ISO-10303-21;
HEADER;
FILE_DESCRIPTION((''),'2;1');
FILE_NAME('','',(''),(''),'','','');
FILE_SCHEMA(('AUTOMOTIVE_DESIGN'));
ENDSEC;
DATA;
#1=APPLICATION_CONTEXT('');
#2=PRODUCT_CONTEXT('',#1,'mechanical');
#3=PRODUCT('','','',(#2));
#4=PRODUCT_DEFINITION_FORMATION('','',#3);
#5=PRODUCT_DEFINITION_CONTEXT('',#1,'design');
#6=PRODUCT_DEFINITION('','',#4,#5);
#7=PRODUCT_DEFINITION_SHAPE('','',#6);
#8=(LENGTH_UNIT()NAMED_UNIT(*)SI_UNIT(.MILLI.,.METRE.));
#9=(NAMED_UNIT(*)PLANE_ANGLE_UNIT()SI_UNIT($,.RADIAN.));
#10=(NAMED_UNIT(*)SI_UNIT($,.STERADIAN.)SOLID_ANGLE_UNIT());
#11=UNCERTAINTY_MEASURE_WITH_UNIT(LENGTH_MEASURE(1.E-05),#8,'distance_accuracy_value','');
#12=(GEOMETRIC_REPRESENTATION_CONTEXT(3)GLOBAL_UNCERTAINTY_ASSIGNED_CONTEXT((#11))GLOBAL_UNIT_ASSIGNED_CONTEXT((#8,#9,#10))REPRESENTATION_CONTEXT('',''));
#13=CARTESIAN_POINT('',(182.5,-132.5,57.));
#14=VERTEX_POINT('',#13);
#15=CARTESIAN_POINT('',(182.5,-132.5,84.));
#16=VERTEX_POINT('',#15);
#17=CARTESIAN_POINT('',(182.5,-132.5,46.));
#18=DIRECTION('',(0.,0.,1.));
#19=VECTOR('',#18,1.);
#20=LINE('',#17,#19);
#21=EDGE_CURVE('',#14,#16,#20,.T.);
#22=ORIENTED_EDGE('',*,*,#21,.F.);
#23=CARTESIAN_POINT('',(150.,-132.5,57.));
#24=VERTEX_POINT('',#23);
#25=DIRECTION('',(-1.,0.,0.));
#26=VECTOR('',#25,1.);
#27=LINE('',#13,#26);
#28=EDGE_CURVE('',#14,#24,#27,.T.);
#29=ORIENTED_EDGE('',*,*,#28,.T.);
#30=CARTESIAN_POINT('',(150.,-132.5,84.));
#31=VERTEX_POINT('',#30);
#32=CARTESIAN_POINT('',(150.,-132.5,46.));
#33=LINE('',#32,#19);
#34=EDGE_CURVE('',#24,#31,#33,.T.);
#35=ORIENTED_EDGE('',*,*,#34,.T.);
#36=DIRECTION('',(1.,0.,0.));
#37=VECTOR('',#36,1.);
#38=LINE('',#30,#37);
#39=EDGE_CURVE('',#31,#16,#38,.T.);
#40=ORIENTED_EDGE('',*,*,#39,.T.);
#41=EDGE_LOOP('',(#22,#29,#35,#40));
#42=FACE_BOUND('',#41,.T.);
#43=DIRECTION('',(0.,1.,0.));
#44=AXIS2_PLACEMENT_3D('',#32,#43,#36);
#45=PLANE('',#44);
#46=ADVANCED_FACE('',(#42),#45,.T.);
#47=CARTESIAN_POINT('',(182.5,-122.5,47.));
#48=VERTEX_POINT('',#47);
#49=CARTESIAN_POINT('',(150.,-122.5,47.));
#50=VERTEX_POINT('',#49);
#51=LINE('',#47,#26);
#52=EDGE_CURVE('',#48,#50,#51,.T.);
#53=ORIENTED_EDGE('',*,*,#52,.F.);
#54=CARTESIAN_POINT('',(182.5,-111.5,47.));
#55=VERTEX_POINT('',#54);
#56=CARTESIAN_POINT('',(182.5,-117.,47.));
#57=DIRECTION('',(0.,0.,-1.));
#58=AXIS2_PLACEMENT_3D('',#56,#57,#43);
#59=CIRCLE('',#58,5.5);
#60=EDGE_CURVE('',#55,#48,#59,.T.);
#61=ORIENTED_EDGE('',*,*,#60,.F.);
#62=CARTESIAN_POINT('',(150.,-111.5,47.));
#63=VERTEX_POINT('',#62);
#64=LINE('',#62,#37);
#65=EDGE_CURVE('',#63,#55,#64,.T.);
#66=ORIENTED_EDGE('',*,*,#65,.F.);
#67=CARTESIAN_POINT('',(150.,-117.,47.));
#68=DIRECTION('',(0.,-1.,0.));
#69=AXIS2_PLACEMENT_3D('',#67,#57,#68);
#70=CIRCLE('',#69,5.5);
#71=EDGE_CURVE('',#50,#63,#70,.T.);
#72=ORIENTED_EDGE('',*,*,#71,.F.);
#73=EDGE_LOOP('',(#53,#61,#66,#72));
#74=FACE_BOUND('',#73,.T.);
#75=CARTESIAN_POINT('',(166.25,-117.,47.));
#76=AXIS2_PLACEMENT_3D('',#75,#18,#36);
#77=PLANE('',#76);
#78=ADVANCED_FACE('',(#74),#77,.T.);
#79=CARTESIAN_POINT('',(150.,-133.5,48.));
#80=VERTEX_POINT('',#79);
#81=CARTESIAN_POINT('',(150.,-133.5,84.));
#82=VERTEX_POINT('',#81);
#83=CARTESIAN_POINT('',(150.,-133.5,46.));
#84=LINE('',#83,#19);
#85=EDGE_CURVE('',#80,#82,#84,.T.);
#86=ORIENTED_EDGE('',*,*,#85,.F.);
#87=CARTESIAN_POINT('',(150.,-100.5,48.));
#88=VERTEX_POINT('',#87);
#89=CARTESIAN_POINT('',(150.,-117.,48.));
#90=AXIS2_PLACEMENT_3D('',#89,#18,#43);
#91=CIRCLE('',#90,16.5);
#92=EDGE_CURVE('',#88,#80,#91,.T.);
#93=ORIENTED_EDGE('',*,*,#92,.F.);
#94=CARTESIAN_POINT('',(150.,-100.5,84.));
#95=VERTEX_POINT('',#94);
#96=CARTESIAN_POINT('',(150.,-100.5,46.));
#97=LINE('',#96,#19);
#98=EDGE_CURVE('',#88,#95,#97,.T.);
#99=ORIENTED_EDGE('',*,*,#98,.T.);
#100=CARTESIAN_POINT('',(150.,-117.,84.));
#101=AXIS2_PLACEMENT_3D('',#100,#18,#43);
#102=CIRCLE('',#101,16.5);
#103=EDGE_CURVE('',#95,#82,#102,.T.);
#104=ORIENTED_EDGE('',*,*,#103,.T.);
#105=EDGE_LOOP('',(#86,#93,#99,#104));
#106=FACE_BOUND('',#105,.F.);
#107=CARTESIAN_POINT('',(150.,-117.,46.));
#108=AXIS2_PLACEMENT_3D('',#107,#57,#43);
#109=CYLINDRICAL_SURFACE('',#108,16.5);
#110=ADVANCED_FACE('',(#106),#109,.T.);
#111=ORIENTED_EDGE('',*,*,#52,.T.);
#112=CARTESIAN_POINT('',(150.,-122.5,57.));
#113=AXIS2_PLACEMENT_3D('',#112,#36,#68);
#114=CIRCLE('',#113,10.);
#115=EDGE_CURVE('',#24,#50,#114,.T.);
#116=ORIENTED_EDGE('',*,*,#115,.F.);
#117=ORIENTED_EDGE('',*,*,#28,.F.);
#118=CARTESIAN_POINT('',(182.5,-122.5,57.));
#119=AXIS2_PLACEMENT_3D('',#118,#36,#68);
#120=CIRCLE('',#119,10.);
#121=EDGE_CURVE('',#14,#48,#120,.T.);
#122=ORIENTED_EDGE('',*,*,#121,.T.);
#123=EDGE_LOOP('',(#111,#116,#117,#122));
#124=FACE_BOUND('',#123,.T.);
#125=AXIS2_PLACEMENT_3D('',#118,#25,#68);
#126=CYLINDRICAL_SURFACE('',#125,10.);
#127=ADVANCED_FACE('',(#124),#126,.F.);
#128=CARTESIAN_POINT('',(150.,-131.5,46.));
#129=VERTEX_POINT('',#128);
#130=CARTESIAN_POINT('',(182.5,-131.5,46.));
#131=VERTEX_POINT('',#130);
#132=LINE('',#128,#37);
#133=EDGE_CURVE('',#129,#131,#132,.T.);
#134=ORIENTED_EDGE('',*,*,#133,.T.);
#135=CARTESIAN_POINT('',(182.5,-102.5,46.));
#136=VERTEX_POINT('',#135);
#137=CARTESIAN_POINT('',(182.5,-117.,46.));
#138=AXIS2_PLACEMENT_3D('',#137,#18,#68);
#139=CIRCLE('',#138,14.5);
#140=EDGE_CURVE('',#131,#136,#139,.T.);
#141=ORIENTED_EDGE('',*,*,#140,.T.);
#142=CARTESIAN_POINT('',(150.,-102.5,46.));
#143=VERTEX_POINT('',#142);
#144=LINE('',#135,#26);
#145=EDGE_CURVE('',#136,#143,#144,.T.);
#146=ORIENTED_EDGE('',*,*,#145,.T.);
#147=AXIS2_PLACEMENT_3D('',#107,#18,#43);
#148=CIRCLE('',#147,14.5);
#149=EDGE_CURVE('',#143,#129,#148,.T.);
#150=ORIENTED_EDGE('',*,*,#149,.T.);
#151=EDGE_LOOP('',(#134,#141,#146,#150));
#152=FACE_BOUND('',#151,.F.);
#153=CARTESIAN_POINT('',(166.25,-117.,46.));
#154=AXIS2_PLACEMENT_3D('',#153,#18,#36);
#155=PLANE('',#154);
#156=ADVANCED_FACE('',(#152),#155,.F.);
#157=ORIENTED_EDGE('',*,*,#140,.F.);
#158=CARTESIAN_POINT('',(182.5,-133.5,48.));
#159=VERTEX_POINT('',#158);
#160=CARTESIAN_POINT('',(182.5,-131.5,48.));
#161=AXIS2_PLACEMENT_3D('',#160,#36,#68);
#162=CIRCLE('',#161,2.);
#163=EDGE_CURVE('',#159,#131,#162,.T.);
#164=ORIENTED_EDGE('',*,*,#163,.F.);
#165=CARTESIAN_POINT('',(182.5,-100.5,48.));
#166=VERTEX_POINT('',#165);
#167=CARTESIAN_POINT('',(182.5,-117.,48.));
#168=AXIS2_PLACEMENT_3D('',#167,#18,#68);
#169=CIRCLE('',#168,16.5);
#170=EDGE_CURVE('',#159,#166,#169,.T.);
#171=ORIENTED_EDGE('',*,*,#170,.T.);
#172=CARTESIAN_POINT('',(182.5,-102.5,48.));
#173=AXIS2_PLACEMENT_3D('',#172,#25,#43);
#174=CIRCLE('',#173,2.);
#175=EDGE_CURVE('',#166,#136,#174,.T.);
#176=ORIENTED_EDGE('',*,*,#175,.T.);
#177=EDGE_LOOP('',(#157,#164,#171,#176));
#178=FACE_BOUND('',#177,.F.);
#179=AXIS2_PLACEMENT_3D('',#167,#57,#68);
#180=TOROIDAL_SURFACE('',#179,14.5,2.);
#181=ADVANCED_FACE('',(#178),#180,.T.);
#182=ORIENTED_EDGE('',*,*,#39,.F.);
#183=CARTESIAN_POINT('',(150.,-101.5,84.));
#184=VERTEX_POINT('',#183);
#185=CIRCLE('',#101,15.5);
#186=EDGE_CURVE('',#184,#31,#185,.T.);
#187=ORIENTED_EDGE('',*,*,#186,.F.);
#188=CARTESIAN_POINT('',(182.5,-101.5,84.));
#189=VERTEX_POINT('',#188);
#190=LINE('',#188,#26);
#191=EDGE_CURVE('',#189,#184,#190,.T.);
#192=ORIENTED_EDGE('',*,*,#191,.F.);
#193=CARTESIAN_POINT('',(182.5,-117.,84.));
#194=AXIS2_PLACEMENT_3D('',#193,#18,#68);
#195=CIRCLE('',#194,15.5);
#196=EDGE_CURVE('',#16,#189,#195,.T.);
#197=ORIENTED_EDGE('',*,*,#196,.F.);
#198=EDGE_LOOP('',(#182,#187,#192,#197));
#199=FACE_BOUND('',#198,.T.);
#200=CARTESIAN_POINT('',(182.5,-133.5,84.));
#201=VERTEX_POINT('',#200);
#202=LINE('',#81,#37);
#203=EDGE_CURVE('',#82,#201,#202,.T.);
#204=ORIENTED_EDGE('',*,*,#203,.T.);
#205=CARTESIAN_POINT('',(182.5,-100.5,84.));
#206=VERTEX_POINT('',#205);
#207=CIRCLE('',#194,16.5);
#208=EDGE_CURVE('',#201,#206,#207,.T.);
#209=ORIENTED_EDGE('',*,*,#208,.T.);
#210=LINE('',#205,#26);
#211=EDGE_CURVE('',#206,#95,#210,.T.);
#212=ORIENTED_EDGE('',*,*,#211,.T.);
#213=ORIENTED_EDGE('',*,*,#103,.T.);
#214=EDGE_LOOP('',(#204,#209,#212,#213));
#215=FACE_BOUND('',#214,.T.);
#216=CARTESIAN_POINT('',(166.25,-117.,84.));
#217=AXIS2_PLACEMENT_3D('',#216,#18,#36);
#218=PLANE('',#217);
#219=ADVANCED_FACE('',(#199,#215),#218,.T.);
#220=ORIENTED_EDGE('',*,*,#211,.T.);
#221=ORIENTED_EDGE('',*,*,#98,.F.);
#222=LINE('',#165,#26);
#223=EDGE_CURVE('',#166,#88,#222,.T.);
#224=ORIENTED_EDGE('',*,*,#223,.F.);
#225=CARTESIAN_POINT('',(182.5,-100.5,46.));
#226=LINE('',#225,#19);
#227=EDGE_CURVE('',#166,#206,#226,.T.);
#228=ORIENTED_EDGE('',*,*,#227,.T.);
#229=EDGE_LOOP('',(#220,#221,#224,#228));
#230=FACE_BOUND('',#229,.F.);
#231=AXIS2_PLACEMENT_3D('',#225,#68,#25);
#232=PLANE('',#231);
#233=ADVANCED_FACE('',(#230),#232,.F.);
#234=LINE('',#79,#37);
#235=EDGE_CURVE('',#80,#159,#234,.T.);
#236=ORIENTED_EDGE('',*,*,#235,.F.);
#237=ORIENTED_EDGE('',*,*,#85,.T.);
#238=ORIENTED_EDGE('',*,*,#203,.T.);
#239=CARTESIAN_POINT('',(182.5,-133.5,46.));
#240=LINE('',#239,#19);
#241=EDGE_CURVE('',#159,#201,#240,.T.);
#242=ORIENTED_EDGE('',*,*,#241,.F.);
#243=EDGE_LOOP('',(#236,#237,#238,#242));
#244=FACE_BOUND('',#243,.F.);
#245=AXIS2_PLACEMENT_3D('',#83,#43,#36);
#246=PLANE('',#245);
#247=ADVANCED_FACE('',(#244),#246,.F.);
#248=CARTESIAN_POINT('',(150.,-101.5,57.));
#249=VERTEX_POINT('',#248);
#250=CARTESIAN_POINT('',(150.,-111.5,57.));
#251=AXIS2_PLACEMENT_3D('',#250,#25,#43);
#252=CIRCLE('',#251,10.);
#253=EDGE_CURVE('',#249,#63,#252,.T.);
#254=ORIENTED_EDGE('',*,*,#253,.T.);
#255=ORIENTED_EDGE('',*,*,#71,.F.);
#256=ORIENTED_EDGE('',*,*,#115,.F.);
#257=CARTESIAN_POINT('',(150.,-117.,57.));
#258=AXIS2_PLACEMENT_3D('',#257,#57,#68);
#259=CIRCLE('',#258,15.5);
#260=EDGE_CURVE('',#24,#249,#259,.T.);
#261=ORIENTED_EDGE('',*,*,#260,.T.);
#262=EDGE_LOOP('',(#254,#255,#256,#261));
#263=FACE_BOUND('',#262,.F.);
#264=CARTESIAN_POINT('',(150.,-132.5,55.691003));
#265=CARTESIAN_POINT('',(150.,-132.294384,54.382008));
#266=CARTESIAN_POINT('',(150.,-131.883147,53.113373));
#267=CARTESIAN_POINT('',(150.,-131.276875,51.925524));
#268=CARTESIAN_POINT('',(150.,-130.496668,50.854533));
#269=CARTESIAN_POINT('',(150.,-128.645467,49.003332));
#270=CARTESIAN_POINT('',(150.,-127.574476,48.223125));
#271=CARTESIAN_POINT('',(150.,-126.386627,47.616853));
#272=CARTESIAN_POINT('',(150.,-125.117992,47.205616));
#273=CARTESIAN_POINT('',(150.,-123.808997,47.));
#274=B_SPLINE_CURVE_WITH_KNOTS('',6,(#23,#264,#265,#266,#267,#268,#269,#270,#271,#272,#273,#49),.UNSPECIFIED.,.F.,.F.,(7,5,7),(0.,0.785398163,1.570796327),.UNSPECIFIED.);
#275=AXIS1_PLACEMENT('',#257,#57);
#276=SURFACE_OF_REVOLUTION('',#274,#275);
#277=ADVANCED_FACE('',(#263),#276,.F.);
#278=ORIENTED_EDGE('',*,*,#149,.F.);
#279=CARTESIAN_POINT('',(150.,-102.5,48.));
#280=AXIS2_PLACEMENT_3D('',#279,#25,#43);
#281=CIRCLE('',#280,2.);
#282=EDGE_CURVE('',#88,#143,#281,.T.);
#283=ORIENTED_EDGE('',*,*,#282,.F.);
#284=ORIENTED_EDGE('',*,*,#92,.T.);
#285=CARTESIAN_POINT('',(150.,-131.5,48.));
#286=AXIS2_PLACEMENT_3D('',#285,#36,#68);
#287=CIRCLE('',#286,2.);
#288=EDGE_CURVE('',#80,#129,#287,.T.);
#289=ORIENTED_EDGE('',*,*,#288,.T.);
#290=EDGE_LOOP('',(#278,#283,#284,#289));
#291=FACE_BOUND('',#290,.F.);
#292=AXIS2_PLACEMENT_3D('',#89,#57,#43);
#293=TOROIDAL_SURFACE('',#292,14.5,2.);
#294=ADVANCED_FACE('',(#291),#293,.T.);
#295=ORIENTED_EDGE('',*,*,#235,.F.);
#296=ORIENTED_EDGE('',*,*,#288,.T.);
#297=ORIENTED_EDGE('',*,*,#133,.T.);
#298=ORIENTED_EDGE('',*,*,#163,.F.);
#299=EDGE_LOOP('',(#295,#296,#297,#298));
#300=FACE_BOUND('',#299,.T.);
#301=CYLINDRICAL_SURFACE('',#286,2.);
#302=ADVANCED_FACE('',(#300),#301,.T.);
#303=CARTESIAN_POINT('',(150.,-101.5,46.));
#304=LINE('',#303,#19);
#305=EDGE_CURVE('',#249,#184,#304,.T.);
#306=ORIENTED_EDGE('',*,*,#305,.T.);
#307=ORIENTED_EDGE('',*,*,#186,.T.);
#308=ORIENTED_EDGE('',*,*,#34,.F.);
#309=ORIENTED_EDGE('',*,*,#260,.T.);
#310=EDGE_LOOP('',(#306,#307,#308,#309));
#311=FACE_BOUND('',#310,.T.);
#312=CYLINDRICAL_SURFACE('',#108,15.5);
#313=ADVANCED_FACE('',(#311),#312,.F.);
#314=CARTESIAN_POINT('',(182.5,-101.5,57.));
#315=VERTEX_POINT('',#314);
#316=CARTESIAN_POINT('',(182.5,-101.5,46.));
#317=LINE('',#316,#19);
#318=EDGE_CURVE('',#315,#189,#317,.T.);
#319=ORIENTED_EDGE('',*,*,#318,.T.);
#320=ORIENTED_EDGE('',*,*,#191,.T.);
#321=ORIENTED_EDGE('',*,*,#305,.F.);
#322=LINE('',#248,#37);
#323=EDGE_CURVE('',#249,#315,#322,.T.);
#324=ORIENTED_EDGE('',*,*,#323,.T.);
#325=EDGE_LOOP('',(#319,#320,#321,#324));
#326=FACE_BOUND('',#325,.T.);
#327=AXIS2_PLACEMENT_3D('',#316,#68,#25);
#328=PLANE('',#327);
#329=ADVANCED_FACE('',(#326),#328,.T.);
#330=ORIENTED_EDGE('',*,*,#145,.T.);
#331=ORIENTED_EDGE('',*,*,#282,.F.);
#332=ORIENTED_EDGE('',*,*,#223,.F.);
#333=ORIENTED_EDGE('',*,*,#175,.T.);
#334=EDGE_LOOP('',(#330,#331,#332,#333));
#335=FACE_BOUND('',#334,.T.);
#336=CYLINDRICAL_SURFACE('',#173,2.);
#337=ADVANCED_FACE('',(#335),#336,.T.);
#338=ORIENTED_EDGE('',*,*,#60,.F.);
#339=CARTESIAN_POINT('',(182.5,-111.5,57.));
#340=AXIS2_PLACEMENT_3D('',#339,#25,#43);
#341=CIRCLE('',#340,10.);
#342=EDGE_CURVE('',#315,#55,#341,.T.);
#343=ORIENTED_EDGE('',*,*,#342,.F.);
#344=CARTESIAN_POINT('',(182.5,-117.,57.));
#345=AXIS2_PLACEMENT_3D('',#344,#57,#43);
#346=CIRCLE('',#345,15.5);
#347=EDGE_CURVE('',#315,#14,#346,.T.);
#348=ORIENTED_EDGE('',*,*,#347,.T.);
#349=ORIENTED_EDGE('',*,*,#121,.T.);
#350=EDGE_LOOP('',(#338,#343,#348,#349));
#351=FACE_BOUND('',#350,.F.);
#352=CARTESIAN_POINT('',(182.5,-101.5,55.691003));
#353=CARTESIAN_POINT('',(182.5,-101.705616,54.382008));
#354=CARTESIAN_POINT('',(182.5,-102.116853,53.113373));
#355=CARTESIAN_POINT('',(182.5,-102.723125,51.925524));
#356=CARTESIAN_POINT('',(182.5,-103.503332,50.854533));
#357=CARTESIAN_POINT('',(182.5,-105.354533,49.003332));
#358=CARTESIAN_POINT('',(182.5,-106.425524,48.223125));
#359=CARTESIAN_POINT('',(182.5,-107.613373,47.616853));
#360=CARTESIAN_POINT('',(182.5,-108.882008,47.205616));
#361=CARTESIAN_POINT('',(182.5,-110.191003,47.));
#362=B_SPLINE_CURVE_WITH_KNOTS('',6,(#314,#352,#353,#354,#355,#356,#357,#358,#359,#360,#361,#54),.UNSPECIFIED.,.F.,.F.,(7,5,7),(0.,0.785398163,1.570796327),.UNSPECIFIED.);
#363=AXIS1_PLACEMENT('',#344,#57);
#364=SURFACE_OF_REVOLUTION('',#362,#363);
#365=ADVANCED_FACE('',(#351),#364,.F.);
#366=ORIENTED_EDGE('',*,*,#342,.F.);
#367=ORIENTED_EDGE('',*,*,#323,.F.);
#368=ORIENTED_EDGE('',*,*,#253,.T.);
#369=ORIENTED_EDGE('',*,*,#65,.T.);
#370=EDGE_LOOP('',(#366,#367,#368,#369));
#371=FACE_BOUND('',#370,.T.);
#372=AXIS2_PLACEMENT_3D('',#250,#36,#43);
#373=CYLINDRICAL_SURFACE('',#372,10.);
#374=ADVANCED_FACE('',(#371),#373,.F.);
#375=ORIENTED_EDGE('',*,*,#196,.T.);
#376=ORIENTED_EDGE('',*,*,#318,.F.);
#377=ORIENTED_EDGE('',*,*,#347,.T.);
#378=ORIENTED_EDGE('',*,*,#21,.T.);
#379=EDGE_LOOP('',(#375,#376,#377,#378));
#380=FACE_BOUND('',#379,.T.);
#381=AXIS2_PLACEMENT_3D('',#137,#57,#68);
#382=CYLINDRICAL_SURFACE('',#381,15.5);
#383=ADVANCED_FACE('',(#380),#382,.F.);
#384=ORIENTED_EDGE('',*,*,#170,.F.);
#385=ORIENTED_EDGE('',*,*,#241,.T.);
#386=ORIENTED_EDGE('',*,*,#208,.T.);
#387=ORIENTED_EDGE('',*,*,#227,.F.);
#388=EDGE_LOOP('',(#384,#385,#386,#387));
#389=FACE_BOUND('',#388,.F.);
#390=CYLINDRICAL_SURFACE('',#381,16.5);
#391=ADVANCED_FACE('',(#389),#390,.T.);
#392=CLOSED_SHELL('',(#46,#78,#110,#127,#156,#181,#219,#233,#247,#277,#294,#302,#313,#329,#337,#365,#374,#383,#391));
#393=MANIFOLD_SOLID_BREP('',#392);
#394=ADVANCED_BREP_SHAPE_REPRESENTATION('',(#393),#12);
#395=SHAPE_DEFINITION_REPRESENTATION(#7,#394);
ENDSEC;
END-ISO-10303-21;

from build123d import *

# Parameters (mm, degrees)
PAD002_DEPTH = 38
THICKNESS_T  = -1
FILLET002_R  = 10
FILLET003_R  = 2


with BuildPart() as part:
    # Sketch007 → Pad002 (new body)
    with BuildSketch(Plane.XY):
        with BuildLine():
            ThreePointArc((-83, 72.5), (-99.5, 56), (-83, 39.5))
            Line((-83, 39.5), (-50.5, 39.5))
            ThreePointArc((-50.5, 39.5), (-34, 56), (-50.5, 72.5))
            Line((-50.5, 72.5), (-83, 72.5))
        make_face()
    extrude(amount=PAD002_DEPTH)

    # Thickness
    thickness_openings = [part.faces().sort_by_distance(p)[0] for p in [
        (-66.75, 56, 38),
    ]]
    offset(amount=THICKNESS_T, openings=thickness_openings)

    # Fillet002
    fillet002_edges = [part.edges().sort_by_distance(p)[0] for p in [
        (-98.5, 56, 1),
        (-66.75, 40.5, 1),
        (-35, 56, 1),
        (-66.75, 71.5, 1),
    ]]
    fillet(fillet002_edges, radius=FILLET002_R)

    # Fillet003
    fillet003_edges = [part.edges().sort_by_distance(p)[0] for p in [
        (-99.5, 56, 0),
        (-66.75, 39.5, 0),
        (-34, 56, 0),
        (-66.75, 72.5, 0),
    ]]
    fillet(fillet003_edges, radius=FILLET003_R)


with BuildPart() as part_1:
    # Body002 placement: moved
    add(part.part.moved(Location((233, -173, 46))))


solid = part_1.part
